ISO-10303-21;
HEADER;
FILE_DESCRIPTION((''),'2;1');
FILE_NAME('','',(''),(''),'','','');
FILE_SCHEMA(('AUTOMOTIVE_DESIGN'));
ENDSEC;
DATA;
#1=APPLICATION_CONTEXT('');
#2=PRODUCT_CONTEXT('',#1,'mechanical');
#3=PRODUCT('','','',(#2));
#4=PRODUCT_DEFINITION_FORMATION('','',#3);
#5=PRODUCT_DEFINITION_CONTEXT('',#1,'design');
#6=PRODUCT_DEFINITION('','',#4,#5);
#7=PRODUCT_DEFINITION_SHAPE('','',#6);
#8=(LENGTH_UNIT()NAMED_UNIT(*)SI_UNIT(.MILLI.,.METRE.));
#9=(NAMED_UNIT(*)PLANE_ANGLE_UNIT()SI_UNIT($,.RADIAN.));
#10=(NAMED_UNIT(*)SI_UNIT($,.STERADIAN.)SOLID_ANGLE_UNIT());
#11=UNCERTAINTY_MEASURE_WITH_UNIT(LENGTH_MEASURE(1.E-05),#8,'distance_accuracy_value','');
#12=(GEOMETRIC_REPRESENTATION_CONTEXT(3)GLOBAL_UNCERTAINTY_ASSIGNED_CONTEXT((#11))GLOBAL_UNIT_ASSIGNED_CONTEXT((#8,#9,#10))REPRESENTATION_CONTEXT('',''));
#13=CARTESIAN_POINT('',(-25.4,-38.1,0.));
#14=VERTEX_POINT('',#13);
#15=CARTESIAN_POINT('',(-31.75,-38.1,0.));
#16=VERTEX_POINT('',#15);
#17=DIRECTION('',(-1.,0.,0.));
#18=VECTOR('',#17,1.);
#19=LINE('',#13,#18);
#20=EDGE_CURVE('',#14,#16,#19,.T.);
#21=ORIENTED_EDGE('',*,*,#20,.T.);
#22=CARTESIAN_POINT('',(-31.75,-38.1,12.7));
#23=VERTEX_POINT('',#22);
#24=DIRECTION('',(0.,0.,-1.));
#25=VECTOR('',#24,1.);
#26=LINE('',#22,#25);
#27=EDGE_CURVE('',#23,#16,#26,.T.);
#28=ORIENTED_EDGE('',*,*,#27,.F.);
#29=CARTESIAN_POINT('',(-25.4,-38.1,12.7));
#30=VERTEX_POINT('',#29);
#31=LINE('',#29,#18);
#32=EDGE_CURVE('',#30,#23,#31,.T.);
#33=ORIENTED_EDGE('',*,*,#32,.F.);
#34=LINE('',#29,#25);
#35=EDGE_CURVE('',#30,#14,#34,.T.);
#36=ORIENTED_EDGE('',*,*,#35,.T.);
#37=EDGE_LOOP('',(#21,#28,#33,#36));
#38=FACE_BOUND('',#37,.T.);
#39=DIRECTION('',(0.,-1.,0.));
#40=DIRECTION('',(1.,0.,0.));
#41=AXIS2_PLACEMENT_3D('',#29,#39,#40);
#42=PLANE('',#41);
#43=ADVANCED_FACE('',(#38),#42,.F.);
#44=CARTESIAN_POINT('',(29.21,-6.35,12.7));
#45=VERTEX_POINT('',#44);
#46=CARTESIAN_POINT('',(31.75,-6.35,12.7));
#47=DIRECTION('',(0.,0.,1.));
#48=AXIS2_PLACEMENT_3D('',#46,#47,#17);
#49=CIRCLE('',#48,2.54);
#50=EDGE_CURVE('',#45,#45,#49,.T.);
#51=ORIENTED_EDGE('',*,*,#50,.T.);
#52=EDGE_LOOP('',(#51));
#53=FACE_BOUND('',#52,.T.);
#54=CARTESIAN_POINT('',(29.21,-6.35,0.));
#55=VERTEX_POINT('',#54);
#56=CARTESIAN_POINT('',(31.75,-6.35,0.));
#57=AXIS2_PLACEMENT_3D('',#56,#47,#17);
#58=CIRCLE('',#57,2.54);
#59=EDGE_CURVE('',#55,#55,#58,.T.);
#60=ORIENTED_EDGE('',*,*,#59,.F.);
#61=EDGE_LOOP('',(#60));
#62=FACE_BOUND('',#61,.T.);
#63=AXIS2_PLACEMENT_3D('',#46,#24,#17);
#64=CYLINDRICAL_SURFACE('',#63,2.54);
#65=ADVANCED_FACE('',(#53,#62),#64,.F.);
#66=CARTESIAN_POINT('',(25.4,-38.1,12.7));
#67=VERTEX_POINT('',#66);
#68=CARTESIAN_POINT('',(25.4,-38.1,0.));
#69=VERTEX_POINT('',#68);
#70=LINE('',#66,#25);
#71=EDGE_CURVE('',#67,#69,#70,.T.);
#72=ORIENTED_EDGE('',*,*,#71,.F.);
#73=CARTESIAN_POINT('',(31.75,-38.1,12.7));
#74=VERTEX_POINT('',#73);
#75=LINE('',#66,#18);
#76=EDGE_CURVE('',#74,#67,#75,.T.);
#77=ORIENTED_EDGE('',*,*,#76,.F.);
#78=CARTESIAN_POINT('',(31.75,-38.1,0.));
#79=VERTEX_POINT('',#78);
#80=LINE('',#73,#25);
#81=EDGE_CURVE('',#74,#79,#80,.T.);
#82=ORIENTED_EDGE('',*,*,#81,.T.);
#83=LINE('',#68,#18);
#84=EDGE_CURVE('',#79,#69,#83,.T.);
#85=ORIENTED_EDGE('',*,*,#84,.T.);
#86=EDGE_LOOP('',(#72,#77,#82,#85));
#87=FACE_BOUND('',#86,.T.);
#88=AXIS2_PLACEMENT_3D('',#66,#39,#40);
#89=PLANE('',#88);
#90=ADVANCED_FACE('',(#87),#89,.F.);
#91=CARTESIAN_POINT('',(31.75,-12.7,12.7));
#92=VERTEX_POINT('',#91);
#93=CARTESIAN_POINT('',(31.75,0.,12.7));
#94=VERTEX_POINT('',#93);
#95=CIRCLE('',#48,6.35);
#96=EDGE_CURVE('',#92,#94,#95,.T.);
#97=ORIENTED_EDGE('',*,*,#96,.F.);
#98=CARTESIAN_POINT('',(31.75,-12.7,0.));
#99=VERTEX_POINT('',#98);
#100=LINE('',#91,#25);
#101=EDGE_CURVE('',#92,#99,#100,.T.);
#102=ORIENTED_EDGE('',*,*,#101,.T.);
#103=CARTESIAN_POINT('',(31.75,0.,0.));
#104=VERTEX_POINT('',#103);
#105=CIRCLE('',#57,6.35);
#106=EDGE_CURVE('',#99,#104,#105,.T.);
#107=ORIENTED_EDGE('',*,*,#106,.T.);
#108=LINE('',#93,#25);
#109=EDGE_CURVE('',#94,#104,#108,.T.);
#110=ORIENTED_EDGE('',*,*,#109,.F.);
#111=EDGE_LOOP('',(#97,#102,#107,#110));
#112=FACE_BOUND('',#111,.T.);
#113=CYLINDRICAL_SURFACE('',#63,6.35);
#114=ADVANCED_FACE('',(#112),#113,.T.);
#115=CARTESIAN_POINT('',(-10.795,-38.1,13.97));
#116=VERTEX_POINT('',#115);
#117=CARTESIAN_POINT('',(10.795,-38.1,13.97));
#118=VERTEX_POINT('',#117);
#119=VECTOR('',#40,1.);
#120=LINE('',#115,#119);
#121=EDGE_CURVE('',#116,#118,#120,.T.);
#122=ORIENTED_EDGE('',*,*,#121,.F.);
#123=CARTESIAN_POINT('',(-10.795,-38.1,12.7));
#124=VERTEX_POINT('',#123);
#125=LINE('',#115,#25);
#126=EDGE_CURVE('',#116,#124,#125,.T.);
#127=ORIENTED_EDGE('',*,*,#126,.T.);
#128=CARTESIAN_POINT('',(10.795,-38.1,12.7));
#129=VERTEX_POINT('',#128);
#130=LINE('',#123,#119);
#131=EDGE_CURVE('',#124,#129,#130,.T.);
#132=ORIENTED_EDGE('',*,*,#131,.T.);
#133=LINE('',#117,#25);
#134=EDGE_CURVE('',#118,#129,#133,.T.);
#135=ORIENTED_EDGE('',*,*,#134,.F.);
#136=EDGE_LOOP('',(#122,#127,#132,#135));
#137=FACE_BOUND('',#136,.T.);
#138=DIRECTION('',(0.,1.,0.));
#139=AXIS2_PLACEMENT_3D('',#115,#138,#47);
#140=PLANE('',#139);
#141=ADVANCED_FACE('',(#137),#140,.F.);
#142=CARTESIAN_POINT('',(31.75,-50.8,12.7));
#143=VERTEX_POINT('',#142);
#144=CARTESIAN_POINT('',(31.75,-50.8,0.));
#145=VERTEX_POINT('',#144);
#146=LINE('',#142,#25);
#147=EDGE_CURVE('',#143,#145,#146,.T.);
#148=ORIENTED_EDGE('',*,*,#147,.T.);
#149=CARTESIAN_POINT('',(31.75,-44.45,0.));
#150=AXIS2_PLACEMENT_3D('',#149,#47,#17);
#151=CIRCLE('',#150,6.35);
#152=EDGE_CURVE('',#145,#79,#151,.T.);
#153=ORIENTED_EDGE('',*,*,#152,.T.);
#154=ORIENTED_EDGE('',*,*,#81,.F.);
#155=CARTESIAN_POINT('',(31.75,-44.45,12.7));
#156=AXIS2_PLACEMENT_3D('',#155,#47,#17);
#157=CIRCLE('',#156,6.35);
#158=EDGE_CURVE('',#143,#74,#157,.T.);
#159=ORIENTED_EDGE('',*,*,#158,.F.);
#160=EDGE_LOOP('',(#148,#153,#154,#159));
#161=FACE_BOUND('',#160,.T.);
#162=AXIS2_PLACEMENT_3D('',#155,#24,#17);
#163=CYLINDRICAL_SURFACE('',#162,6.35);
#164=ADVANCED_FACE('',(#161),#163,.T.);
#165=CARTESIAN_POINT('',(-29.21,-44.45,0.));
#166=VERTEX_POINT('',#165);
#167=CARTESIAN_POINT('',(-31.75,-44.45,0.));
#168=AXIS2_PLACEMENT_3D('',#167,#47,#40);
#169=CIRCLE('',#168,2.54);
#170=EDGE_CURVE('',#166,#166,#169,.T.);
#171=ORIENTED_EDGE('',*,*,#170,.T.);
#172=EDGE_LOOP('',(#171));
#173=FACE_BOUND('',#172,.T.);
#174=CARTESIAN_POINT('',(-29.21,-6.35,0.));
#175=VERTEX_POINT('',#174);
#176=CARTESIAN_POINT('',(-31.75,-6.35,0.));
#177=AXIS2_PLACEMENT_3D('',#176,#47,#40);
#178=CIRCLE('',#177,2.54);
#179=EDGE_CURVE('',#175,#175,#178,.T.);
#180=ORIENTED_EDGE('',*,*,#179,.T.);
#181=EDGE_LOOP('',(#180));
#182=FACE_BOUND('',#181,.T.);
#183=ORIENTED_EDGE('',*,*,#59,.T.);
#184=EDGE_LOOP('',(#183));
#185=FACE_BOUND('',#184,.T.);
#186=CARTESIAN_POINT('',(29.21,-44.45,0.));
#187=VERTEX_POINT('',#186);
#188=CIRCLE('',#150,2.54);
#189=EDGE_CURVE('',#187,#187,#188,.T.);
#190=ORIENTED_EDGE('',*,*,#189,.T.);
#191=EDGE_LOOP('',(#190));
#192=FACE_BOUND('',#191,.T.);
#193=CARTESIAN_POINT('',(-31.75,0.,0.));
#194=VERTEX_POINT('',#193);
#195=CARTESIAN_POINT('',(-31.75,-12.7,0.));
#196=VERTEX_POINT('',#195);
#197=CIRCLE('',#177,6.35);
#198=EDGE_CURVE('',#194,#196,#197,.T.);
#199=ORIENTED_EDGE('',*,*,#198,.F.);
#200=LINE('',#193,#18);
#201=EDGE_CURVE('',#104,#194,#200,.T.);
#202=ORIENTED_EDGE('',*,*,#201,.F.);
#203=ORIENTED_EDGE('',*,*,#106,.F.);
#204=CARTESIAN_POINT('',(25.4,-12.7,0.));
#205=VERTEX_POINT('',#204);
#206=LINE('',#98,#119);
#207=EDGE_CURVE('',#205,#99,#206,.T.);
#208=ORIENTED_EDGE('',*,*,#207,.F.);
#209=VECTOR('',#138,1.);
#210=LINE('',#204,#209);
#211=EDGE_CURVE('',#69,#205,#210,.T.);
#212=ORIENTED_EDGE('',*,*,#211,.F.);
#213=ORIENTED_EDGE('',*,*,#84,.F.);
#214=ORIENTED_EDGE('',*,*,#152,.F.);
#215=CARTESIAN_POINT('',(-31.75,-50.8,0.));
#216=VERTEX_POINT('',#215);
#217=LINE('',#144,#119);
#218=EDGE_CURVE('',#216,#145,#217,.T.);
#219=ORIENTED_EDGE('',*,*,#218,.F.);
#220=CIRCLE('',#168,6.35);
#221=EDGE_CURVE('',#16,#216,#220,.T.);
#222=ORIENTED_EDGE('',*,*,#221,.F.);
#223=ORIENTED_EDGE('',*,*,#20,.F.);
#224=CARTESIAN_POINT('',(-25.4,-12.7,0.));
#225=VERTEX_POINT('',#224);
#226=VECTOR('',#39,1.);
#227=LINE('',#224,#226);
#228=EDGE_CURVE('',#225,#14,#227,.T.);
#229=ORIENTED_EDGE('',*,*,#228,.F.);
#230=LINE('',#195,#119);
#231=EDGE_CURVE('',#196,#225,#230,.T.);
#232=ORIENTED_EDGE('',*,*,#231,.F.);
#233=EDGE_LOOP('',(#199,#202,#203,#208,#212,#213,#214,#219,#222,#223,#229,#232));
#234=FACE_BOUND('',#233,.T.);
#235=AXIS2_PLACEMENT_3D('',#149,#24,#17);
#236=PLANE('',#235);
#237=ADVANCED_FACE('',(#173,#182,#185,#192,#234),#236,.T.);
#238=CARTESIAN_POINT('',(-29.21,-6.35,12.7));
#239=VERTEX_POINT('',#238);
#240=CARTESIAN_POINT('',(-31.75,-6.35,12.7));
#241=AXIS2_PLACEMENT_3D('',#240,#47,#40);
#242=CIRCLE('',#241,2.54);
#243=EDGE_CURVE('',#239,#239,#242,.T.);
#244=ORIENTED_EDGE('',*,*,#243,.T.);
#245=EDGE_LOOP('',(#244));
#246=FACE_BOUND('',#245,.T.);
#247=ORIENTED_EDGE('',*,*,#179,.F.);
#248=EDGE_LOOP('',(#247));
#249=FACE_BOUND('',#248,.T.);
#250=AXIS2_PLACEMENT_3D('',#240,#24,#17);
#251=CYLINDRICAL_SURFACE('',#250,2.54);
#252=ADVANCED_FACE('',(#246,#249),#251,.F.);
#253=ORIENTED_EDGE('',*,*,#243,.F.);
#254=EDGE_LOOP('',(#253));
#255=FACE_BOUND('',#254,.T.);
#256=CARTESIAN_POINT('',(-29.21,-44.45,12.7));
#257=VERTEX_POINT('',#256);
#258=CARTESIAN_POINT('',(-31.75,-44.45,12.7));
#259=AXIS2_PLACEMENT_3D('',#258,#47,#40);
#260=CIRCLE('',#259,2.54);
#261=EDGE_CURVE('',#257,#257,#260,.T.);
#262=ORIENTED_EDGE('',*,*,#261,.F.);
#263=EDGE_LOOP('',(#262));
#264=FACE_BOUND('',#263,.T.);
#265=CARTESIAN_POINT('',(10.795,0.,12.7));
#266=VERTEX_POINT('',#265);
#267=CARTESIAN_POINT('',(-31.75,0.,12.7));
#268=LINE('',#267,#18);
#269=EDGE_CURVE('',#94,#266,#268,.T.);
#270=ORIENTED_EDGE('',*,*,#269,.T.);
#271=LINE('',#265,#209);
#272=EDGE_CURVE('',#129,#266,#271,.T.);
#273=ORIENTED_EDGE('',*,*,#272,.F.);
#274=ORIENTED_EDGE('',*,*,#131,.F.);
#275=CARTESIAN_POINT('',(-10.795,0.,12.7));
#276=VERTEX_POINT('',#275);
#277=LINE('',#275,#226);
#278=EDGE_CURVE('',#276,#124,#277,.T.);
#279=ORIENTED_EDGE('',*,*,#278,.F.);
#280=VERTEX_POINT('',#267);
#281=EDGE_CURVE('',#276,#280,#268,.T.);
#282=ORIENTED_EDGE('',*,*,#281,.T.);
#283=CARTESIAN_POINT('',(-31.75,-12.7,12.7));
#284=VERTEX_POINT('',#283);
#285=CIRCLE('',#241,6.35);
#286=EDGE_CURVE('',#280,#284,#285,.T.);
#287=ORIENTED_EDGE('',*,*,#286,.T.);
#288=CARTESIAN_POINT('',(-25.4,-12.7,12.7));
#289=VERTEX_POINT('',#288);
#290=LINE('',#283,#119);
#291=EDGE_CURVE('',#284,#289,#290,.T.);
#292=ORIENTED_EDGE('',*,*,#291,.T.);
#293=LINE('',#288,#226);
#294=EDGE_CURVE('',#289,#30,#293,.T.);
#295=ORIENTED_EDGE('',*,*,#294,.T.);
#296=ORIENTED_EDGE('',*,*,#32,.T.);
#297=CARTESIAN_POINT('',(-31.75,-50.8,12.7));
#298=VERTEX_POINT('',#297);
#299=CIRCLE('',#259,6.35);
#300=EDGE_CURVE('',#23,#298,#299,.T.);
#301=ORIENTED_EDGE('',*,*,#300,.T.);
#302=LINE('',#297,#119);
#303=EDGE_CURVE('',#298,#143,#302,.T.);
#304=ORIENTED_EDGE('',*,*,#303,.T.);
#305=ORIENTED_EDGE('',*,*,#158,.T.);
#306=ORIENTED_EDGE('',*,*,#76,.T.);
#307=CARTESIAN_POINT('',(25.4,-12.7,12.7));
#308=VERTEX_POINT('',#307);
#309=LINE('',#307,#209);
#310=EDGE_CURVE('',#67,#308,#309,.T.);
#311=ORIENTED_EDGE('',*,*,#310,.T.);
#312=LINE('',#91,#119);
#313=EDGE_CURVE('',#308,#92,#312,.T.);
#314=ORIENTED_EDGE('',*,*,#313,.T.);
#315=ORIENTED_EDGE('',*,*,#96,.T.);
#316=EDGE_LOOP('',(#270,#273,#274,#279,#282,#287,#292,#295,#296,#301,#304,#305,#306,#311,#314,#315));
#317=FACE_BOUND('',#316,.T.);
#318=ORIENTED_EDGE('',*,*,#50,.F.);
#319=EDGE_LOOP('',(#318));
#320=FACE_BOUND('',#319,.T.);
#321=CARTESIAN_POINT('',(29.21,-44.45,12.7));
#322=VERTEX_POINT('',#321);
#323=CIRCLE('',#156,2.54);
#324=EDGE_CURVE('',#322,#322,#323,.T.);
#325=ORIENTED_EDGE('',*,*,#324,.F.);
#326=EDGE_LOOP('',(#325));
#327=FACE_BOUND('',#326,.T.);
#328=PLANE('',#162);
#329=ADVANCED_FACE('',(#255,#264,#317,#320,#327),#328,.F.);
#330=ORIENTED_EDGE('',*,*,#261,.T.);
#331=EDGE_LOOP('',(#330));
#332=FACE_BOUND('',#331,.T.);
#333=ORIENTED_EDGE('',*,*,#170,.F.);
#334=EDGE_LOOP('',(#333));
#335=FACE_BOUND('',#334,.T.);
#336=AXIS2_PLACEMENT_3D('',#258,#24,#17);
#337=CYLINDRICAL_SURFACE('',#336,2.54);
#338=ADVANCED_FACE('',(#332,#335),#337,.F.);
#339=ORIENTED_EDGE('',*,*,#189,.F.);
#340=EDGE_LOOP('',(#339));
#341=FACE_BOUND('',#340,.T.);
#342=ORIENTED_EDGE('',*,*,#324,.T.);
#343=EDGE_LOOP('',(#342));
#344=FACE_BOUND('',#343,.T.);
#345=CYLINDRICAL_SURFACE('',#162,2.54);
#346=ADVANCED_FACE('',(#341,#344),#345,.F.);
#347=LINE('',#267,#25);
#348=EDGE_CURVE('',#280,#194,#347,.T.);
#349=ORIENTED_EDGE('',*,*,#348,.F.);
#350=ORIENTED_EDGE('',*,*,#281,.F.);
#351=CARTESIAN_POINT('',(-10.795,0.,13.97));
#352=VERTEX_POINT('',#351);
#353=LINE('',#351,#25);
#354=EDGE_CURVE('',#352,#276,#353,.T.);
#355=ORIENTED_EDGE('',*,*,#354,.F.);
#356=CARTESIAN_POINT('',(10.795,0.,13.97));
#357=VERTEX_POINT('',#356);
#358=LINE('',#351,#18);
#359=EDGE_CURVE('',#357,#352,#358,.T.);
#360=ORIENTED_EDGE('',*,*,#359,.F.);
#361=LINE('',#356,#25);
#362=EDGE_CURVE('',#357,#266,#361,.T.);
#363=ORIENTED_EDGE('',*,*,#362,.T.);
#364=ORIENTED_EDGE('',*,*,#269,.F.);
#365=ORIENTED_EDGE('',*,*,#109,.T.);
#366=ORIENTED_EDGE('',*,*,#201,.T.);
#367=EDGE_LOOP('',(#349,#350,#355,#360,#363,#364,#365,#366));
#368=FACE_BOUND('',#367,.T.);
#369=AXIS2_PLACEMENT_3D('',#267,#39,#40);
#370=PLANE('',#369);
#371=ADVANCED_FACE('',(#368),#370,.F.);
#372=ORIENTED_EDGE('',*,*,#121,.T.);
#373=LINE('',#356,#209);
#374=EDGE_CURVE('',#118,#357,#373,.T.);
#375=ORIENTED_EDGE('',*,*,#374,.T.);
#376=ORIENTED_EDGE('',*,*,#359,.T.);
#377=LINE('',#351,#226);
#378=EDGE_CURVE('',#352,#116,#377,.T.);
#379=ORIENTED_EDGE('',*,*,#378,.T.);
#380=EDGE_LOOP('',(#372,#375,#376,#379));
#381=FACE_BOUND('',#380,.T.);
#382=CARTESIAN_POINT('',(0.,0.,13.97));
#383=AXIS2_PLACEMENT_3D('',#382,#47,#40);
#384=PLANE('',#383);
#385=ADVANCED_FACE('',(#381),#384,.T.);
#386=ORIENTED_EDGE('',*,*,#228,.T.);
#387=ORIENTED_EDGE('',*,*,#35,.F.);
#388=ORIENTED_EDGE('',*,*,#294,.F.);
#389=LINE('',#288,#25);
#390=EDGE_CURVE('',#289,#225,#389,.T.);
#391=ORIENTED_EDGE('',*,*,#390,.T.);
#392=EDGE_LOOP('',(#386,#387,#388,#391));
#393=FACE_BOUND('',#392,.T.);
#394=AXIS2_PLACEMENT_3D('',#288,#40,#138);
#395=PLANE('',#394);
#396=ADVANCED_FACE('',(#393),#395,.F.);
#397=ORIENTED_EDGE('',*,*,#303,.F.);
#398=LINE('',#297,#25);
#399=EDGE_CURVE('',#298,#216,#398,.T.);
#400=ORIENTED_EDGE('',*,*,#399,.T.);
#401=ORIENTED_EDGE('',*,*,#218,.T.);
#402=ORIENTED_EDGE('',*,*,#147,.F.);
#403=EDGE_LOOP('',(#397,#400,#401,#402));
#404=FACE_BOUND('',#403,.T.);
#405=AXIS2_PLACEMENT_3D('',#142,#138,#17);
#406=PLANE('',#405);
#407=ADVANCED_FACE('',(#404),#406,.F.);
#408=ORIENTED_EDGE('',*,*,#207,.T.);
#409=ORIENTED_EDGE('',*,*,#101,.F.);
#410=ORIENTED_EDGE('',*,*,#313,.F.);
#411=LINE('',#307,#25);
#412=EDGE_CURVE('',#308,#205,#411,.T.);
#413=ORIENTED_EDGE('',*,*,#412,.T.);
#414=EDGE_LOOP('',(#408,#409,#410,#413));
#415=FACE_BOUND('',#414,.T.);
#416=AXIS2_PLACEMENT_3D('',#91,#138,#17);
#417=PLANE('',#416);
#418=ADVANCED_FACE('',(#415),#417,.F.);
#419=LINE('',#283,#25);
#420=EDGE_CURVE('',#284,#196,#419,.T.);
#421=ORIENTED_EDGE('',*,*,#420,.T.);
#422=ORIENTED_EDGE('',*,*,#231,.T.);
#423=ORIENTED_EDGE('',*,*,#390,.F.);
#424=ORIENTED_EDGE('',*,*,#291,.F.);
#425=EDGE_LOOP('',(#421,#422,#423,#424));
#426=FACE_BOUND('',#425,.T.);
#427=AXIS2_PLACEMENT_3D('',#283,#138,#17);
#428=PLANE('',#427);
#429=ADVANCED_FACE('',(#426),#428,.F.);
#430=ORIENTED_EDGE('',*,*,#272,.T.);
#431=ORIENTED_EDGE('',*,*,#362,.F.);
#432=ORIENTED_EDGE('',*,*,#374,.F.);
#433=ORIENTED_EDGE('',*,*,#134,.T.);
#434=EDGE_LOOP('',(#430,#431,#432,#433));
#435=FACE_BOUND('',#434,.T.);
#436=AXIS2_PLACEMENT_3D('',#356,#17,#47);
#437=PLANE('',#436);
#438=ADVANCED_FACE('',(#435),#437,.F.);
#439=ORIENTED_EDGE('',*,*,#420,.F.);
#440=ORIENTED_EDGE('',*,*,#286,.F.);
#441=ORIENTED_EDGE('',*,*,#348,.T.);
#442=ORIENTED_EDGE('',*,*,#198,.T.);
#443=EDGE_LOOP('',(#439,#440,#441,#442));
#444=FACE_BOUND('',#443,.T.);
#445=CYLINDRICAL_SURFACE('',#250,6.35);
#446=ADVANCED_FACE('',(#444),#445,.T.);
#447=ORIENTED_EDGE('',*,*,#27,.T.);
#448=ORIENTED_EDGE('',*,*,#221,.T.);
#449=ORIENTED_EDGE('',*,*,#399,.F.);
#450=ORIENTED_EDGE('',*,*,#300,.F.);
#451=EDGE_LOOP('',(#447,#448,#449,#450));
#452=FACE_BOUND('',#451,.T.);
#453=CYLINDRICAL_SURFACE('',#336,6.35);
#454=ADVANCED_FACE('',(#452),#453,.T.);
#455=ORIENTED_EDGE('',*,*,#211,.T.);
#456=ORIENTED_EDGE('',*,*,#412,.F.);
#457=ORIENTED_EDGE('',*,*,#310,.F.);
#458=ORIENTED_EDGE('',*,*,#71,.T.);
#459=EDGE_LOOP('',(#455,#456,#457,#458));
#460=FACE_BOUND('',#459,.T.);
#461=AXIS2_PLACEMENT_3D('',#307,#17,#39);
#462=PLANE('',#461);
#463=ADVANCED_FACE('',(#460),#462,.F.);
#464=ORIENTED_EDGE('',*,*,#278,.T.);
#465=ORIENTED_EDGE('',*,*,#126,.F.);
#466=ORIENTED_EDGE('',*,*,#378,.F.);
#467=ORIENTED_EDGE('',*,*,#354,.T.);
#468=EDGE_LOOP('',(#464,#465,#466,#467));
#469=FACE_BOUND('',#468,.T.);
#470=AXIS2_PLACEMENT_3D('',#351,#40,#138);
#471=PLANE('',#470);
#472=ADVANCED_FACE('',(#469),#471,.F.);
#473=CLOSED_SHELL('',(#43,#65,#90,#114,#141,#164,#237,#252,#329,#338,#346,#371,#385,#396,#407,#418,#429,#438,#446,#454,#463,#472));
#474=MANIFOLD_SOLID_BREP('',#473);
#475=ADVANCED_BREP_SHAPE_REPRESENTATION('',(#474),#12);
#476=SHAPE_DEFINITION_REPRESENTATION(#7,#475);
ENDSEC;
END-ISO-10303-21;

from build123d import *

# Parameters (mm, degrees)
SKETCH1_R           = 2.54
BOSS_EXTRUDE1_DEPTH = 12.7
SKETCH2_W           = 21.59
SKETCH2_H           = 38.1
BOSS_EXTRUDE2_DEPTH = 1.27


with BuildPart() as part:
    # Sketch1 → Boss-Extrude1 (new body)
    with BuildSketch(Plane.XY):
        with BuildLine():
            Line((-31.75, 0), (31.75, 0))
            ThreePointArc((31.75, 0), (38.1, -6.35), (31.75, -12.7))
            Line((31.75, -12.7), (25.4, -12.7))
            Line((25.4, -12.7), (25.4, -38.1))
            Line((25.4, -38.1), (31.75, -38.1))
            ThreePointArc((31.75, -38.1), (38.1, -44.45), (31.75, -50.8))
            Line((31.75, -50.8), (0, -50.8))
            Line((0, -50.8), (-31.75, -50.8))
            ThreePointArc((-31.75, -50.8), (-38.1, -44.45), (-31.75, -38.1))
            Line((-31.75, -38.1), (-25.4, -38.1))
            Line((-25.4, -38.1), (-25.4, -12.7))
            Line((-25.4, -12.7), (-31.75, -12.7))
            ThreePointArc((-31.75, -12.7), (-38.1, -6.35), (-31.75, 0))
        make_face()
        with Locations((-31.75, -6.35)):
            Circle(SKETCH1_R, mode=Mode.SUBTRACT)
        with Locations((31.75, -6.35)):
            Circle(SKETCH1_R, mode=Mode.SUBTRACT)
        with Locations((-31.75, -44.45)):
            Circle(SKETCH1_R, mode=Mode.SUBTRACT)
        with Locations((31.75, -44.45)):
            Circle(SKETCH1_R, mode=Mode.SUBTRACT)
    extrude(amount=BOSS_EXTRUDE1_DEPTH)

    # Sketch2 → Boss-Extrude2 (add)
    with BuildSketch(Plane.XY.offset(12.7)):
        with Locations((0, -19.05)):
            Rectangle(SKETCH2_W, SKETCH2_H)
    extrude(amount=BOSS_EXTRUDE2_DEPTH)


solid = part.part
